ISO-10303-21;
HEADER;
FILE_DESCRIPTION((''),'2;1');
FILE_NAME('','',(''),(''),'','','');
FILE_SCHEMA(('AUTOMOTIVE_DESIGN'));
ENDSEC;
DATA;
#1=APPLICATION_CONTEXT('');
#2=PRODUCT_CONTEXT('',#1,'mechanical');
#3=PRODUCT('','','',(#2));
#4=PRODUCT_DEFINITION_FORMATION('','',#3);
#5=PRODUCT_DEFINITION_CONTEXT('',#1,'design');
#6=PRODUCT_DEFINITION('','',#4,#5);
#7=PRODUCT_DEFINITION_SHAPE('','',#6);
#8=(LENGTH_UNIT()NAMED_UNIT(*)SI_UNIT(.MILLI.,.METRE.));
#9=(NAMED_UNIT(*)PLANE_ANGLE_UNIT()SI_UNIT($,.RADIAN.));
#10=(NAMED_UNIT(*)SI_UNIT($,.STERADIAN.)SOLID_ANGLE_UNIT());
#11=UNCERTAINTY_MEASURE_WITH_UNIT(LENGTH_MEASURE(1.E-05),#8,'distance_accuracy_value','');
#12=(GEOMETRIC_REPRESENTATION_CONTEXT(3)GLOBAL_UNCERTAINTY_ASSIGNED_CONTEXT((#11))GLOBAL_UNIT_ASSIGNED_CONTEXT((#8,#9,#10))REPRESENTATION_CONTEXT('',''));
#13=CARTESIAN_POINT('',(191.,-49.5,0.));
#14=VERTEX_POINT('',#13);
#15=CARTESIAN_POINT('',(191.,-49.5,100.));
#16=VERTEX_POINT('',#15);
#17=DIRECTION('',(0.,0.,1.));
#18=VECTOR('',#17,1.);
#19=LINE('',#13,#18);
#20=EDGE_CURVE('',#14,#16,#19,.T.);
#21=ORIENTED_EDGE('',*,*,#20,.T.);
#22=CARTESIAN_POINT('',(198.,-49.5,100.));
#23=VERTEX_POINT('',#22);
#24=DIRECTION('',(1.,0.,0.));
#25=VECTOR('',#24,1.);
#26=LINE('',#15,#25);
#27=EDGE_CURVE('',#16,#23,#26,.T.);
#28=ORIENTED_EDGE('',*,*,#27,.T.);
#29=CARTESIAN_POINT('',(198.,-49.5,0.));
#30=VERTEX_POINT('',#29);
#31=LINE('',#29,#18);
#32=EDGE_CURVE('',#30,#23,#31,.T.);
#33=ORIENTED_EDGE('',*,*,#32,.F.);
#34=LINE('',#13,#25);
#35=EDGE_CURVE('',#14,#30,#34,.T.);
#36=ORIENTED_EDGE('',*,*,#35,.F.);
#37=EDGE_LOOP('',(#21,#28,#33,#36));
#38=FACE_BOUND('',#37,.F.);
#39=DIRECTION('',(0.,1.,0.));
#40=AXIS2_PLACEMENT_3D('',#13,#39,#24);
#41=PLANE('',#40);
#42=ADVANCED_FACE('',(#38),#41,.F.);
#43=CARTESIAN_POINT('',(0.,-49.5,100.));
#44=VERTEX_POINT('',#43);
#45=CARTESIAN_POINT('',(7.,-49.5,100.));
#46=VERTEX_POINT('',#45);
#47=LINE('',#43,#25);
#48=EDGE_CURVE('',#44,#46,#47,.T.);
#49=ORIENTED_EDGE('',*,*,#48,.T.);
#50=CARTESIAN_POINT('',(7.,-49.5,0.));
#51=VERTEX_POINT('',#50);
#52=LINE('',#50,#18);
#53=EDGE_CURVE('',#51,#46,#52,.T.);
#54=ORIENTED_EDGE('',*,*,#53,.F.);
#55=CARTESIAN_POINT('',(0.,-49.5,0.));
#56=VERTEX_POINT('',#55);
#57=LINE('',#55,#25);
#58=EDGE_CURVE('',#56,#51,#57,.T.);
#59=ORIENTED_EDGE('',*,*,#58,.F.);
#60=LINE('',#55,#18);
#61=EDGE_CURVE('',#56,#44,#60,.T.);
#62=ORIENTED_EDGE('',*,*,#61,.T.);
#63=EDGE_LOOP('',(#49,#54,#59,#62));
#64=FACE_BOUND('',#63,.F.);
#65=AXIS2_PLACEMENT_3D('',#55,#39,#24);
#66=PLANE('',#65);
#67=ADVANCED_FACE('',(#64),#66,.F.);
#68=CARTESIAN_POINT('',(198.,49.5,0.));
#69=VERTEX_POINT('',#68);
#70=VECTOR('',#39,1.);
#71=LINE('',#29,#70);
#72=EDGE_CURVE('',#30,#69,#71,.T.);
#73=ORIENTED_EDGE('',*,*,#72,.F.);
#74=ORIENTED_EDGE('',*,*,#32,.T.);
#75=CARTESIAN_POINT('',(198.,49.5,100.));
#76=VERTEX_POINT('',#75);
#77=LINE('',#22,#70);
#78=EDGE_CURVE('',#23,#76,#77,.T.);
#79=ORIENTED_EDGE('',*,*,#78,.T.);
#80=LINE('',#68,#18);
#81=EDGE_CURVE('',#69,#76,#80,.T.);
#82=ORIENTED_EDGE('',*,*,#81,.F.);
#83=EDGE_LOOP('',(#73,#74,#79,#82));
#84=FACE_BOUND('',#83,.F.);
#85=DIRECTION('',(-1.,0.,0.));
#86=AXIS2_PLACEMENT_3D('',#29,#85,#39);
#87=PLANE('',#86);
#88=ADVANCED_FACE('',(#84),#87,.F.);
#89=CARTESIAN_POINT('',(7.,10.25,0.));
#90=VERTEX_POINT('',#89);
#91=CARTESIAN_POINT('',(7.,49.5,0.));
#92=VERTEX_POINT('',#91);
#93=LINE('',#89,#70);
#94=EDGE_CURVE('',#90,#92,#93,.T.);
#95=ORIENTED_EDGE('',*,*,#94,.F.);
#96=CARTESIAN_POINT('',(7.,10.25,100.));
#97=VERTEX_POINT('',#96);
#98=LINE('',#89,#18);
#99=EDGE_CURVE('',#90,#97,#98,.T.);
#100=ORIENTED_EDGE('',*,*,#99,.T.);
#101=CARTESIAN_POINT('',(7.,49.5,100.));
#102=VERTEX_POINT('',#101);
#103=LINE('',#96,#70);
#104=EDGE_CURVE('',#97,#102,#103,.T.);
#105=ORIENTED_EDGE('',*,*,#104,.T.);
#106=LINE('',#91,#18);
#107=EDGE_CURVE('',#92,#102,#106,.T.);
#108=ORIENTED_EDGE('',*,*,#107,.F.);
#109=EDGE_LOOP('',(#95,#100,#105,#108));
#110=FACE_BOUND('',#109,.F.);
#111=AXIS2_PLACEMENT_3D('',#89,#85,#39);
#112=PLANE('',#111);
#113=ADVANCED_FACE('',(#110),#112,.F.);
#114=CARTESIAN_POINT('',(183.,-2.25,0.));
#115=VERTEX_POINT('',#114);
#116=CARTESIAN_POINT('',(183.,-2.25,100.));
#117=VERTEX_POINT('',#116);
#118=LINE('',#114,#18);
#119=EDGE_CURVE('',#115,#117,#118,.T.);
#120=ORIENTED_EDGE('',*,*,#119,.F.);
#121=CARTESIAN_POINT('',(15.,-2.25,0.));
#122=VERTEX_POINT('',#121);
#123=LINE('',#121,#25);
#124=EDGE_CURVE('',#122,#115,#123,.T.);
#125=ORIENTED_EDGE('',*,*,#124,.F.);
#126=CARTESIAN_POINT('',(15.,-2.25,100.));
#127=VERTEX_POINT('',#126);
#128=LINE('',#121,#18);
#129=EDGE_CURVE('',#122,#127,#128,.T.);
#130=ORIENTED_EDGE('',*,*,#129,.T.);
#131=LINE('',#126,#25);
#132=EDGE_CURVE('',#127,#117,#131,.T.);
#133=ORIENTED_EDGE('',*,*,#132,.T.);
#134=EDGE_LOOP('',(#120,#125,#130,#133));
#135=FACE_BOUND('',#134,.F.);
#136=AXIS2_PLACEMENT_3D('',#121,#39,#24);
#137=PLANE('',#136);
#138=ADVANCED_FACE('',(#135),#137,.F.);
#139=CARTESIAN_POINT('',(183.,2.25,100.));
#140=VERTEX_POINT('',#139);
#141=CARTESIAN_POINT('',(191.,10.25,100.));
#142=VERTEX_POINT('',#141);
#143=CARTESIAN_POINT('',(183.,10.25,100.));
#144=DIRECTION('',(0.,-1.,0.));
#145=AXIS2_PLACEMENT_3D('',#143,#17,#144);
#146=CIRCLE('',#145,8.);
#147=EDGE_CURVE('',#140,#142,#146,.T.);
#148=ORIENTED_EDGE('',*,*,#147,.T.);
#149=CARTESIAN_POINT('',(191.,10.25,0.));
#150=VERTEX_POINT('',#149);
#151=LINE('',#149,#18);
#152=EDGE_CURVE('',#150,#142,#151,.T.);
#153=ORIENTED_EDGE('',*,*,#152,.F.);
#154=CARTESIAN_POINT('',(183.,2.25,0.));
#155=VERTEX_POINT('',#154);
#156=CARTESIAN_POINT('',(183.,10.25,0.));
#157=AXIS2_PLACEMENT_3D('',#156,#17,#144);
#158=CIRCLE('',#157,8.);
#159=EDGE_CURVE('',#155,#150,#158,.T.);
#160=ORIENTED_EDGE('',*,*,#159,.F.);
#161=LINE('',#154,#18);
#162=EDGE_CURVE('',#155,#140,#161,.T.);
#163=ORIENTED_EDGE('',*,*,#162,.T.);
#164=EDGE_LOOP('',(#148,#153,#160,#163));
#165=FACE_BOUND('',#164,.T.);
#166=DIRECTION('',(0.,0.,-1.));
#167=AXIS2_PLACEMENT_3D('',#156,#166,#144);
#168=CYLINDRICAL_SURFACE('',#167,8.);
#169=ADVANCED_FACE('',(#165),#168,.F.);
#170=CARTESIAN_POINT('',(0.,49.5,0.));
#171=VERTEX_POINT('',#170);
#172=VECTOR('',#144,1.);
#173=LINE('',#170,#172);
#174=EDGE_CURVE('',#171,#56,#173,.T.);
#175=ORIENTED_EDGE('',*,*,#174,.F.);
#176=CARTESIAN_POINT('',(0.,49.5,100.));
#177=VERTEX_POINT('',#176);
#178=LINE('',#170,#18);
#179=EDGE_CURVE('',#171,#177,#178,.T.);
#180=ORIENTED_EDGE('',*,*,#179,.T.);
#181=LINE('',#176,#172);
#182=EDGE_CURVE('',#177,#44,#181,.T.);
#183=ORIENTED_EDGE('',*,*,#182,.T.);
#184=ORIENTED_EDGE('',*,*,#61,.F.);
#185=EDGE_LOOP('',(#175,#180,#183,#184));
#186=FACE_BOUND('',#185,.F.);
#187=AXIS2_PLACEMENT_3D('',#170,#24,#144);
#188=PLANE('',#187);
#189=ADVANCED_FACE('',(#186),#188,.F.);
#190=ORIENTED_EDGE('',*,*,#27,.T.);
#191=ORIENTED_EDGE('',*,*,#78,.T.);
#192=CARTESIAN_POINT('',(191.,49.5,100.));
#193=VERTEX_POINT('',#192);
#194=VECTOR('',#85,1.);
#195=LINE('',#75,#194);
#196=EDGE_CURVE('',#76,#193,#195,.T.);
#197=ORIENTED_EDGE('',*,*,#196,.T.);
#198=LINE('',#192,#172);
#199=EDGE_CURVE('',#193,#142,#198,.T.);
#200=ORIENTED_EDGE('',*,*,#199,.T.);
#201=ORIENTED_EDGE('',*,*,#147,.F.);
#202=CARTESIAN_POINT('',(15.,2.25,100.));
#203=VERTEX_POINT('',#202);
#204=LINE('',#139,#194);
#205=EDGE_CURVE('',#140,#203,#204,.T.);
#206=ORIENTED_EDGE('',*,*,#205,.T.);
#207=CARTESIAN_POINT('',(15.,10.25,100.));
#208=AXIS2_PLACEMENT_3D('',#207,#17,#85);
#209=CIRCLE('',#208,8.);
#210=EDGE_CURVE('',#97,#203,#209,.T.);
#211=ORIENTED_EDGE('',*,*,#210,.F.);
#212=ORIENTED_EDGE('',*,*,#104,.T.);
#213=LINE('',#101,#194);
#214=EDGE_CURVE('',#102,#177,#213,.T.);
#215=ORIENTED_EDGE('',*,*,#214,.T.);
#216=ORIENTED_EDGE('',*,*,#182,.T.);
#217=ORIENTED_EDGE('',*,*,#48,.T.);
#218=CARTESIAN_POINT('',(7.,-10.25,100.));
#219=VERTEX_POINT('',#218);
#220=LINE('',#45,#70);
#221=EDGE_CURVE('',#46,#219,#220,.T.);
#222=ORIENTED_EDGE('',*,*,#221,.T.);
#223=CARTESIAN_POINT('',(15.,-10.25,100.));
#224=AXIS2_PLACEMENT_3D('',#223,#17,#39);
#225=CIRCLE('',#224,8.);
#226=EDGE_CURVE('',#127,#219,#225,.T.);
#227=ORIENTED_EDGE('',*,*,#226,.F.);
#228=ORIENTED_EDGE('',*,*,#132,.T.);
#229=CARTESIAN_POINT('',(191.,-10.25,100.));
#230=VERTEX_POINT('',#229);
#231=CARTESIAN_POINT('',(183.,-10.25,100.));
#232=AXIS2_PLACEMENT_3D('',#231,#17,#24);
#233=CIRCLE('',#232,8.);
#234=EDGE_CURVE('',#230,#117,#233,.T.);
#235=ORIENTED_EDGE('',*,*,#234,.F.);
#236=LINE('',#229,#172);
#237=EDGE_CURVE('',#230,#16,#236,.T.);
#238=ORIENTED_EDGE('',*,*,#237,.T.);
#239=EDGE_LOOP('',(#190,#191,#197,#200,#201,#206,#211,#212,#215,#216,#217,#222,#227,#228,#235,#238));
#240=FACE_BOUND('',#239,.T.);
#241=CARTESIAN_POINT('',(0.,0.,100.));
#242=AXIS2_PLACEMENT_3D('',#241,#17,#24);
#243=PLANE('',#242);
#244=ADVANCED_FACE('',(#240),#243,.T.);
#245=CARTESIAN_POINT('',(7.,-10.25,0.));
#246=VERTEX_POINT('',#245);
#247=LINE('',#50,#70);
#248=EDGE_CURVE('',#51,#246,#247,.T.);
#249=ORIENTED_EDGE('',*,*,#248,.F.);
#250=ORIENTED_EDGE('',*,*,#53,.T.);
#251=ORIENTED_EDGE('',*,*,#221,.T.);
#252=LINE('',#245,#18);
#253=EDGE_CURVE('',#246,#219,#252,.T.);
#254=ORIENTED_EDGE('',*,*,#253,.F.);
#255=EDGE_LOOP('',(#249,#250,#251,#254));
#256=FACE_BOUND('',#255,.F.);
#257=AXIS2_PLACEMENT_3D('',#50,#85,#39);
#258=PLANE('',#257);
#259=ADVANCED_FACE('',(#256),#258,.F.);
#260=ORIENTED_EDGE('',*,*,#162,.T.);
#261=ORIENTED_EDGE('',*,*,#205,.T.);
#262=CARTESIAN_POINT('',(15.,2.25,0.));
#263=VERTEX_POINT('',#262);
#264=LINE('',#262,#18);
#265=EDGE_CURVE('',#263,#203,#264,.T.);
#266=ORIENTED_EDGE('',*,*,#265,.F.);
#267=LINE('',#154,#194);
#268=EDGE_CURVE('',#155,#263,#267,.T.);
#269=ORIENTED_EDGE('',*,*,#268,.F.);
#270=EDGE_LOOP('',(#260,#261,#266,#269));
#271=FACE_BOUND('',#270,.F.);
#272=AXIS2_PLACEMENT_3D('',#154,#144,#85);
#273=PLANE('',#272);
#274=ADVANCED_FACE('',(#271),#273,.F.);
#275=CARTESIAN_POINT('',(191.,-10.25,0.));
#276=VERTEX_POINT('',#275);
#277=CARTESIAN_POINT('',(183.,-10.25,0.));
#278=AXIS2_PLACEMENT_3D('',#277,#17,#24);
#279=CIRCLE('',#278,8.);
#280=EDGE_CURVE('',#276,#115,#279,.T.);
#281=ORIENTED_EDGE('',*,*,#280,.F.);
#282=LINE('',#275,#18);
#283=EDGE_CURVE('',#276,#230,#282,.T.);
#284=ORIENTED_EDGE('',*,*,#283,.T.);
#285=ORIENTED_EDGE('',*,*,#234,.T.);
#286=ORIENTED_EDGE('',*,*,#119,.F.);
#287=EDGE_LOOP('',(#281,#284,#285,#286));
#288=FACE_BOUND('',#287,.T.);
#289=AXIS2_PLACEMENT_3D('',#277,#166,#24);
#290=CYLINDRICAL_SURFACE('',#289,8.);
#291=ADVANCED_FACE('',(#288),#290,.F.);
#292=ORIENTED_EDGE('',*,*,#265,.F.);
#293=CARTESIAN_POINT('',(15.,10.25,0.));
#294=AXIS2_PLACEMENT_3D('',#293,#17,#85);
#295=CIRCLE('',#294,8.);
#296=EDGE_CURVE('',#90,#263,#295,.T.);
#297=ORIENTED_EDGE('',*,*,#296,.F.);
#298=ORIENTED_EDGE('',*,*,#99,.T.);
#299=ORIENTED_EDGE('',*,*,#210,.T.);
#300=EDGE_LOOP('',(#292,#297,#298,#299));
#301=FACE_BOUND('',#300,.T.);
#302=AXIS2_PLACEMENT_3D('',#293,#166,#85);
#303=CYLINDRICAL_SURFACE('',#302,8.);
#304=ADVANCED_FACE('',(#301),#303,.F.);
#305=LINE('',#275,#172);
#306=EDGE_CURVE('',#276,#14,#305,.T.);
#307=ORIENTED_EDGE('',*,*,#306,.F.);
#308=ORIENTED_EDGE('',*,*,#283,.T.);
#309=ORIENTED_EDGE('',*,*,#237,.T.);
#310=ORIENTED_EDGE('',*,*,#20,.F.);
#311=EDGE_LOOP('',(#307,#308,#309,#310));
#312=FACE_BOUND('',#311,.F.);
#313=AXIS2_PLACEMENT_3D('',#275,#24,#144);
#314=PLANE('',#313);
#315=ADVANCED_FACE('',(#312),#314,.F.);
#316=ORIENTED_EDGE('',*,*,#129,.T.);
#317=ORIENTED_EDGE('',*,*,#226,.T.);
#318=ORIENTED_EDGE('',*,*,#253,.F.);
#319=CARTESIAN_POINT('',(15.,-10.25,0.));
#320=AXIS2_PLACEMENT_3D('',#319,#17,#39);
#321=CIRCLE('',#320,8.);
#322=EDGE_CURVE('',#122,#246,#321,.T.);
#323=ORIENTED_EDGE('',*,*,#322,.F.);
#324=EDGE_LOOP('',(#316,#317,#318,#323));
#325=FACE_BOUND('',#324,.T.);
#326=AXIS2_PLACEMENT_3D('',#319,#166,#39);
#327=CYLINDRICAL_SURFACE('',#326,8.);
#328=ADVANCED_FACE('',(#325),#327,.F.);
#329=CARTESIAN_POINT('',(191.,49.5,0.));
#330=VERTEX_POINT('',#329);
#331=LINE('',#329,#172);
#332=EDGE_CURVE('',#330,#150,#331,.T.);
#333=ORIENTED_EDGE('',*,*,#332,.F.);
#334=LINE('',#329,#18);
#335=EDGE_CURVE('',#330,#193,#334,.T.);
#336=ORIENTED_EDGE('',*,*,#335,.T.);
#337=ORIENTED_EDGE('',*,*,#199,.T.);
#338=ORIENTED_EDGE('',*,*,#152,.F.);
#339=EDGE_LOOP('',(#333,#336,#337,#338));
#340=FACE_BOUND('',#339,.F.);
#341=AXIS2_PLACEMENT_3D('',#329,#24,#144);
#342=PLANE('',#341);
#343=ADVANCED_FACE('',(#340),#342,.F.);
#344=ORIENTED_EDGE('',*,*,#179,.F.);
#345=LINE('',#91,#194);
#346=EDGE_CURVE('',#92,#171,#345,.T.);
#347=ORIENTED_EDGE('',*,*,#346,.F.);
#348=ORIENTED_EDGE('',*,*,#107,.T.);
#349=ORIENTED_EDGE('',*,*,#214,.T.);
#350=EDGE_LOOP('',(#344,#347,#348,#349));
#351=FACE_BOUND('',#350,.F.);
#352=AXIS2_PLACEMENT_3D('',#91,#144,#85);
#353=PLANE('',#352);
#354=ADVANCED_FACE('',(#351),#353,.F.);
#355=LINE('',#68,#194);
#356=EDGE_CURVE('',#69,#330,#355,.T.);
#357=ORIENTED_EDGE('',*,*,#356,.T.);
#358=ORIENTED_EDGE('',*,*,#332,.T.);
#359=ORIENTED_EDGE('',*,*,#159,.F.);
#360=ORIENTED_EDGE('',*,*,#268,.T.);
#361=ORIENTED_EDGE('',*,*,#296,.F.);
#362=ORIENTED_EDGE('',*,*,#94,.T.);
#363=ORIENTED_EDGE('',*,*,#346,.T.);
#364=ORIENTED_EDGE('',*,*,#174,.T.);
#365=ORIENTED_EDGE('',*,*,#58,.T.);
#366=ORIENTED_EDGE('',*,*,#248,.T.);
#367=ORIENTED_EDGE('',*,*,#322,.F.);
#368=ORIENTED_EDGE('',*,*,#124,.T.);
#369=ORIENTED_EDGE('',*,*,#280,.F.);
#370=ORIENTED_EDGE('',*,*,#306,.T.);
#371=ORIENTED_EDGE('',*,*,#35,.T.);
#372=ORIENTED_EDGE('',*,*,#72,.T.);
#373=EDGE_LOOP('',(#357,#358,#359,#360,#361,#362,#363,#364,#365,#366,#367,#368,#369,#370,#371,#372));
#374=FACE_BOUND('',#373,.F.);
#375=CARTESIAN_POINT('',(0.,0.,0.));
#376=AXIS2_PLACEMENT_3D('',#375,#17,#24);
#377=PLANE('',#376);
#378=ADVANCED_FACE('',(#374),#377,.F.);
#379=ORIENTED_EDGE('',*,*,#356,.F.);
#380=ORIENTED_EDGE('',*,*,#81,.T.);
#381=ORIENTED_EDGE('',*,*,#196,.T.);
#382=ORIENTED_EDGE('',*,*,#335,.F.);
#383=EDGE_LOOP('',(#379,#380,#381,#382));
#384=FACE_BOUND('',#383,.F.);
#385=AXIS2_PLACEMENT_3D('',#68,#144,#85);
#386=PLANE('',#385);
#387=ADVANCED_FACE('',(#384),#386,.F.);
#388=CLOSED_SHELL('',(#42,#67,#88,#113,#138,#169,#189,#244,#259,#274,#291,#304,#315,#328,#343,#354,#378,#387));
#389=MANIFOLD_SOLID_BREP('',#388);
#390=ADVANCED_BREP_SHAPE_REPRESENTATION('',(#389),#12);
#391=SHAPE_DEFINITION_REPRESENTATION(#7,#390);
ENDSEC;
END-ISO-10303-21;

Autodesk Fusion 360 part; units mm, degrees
sketch "スケッチ1" plane through (0, 0, 0) normal (0, 0, 1) x (1, 0, 0)
  line L0 (183, 2.25) -> (15, 2.25)
  line L1 (15, -2.25) -> (183, -2.25)
  line L2 (0, 49.5) -> (0, -49.5)
  line L3 (7, 10.25) -> (7, 49.5)
  line L4 (7, -49.5) -> (7, -10.25)
  line L5 (0, -49.5) -> (7, -49.5)
  line L6 (7, 49.5) -> (0, 49.5)
  line L7 (191, 49.5) -> (191, 10.25)
  line L8 (198, -49.5) -> (198, 49.5)
  line L9 (191, -10.25) -> (191, -49.5)
  line L10 (191, -49.5) -> (198, -49.5)
  line L11 (198, 49.5) -> (191, 49.5)
  arc A0 (15, -2.25) -> (7, -10.25) centre (15, -10.25) ccw
  arc A1 (7, 10.25) -> (15, 2.25) centre (15, 10.25) ccw
  arc A2 (183, 2.25) -> (191, 10.25) centre (183, 10.25) ccw
  arc A3 (191, -10.25) -> (183, -2.25) centre (183, -10.25) ccw
extrude "押し出し1" add sketch "スケッチ1" along normal blind 100
